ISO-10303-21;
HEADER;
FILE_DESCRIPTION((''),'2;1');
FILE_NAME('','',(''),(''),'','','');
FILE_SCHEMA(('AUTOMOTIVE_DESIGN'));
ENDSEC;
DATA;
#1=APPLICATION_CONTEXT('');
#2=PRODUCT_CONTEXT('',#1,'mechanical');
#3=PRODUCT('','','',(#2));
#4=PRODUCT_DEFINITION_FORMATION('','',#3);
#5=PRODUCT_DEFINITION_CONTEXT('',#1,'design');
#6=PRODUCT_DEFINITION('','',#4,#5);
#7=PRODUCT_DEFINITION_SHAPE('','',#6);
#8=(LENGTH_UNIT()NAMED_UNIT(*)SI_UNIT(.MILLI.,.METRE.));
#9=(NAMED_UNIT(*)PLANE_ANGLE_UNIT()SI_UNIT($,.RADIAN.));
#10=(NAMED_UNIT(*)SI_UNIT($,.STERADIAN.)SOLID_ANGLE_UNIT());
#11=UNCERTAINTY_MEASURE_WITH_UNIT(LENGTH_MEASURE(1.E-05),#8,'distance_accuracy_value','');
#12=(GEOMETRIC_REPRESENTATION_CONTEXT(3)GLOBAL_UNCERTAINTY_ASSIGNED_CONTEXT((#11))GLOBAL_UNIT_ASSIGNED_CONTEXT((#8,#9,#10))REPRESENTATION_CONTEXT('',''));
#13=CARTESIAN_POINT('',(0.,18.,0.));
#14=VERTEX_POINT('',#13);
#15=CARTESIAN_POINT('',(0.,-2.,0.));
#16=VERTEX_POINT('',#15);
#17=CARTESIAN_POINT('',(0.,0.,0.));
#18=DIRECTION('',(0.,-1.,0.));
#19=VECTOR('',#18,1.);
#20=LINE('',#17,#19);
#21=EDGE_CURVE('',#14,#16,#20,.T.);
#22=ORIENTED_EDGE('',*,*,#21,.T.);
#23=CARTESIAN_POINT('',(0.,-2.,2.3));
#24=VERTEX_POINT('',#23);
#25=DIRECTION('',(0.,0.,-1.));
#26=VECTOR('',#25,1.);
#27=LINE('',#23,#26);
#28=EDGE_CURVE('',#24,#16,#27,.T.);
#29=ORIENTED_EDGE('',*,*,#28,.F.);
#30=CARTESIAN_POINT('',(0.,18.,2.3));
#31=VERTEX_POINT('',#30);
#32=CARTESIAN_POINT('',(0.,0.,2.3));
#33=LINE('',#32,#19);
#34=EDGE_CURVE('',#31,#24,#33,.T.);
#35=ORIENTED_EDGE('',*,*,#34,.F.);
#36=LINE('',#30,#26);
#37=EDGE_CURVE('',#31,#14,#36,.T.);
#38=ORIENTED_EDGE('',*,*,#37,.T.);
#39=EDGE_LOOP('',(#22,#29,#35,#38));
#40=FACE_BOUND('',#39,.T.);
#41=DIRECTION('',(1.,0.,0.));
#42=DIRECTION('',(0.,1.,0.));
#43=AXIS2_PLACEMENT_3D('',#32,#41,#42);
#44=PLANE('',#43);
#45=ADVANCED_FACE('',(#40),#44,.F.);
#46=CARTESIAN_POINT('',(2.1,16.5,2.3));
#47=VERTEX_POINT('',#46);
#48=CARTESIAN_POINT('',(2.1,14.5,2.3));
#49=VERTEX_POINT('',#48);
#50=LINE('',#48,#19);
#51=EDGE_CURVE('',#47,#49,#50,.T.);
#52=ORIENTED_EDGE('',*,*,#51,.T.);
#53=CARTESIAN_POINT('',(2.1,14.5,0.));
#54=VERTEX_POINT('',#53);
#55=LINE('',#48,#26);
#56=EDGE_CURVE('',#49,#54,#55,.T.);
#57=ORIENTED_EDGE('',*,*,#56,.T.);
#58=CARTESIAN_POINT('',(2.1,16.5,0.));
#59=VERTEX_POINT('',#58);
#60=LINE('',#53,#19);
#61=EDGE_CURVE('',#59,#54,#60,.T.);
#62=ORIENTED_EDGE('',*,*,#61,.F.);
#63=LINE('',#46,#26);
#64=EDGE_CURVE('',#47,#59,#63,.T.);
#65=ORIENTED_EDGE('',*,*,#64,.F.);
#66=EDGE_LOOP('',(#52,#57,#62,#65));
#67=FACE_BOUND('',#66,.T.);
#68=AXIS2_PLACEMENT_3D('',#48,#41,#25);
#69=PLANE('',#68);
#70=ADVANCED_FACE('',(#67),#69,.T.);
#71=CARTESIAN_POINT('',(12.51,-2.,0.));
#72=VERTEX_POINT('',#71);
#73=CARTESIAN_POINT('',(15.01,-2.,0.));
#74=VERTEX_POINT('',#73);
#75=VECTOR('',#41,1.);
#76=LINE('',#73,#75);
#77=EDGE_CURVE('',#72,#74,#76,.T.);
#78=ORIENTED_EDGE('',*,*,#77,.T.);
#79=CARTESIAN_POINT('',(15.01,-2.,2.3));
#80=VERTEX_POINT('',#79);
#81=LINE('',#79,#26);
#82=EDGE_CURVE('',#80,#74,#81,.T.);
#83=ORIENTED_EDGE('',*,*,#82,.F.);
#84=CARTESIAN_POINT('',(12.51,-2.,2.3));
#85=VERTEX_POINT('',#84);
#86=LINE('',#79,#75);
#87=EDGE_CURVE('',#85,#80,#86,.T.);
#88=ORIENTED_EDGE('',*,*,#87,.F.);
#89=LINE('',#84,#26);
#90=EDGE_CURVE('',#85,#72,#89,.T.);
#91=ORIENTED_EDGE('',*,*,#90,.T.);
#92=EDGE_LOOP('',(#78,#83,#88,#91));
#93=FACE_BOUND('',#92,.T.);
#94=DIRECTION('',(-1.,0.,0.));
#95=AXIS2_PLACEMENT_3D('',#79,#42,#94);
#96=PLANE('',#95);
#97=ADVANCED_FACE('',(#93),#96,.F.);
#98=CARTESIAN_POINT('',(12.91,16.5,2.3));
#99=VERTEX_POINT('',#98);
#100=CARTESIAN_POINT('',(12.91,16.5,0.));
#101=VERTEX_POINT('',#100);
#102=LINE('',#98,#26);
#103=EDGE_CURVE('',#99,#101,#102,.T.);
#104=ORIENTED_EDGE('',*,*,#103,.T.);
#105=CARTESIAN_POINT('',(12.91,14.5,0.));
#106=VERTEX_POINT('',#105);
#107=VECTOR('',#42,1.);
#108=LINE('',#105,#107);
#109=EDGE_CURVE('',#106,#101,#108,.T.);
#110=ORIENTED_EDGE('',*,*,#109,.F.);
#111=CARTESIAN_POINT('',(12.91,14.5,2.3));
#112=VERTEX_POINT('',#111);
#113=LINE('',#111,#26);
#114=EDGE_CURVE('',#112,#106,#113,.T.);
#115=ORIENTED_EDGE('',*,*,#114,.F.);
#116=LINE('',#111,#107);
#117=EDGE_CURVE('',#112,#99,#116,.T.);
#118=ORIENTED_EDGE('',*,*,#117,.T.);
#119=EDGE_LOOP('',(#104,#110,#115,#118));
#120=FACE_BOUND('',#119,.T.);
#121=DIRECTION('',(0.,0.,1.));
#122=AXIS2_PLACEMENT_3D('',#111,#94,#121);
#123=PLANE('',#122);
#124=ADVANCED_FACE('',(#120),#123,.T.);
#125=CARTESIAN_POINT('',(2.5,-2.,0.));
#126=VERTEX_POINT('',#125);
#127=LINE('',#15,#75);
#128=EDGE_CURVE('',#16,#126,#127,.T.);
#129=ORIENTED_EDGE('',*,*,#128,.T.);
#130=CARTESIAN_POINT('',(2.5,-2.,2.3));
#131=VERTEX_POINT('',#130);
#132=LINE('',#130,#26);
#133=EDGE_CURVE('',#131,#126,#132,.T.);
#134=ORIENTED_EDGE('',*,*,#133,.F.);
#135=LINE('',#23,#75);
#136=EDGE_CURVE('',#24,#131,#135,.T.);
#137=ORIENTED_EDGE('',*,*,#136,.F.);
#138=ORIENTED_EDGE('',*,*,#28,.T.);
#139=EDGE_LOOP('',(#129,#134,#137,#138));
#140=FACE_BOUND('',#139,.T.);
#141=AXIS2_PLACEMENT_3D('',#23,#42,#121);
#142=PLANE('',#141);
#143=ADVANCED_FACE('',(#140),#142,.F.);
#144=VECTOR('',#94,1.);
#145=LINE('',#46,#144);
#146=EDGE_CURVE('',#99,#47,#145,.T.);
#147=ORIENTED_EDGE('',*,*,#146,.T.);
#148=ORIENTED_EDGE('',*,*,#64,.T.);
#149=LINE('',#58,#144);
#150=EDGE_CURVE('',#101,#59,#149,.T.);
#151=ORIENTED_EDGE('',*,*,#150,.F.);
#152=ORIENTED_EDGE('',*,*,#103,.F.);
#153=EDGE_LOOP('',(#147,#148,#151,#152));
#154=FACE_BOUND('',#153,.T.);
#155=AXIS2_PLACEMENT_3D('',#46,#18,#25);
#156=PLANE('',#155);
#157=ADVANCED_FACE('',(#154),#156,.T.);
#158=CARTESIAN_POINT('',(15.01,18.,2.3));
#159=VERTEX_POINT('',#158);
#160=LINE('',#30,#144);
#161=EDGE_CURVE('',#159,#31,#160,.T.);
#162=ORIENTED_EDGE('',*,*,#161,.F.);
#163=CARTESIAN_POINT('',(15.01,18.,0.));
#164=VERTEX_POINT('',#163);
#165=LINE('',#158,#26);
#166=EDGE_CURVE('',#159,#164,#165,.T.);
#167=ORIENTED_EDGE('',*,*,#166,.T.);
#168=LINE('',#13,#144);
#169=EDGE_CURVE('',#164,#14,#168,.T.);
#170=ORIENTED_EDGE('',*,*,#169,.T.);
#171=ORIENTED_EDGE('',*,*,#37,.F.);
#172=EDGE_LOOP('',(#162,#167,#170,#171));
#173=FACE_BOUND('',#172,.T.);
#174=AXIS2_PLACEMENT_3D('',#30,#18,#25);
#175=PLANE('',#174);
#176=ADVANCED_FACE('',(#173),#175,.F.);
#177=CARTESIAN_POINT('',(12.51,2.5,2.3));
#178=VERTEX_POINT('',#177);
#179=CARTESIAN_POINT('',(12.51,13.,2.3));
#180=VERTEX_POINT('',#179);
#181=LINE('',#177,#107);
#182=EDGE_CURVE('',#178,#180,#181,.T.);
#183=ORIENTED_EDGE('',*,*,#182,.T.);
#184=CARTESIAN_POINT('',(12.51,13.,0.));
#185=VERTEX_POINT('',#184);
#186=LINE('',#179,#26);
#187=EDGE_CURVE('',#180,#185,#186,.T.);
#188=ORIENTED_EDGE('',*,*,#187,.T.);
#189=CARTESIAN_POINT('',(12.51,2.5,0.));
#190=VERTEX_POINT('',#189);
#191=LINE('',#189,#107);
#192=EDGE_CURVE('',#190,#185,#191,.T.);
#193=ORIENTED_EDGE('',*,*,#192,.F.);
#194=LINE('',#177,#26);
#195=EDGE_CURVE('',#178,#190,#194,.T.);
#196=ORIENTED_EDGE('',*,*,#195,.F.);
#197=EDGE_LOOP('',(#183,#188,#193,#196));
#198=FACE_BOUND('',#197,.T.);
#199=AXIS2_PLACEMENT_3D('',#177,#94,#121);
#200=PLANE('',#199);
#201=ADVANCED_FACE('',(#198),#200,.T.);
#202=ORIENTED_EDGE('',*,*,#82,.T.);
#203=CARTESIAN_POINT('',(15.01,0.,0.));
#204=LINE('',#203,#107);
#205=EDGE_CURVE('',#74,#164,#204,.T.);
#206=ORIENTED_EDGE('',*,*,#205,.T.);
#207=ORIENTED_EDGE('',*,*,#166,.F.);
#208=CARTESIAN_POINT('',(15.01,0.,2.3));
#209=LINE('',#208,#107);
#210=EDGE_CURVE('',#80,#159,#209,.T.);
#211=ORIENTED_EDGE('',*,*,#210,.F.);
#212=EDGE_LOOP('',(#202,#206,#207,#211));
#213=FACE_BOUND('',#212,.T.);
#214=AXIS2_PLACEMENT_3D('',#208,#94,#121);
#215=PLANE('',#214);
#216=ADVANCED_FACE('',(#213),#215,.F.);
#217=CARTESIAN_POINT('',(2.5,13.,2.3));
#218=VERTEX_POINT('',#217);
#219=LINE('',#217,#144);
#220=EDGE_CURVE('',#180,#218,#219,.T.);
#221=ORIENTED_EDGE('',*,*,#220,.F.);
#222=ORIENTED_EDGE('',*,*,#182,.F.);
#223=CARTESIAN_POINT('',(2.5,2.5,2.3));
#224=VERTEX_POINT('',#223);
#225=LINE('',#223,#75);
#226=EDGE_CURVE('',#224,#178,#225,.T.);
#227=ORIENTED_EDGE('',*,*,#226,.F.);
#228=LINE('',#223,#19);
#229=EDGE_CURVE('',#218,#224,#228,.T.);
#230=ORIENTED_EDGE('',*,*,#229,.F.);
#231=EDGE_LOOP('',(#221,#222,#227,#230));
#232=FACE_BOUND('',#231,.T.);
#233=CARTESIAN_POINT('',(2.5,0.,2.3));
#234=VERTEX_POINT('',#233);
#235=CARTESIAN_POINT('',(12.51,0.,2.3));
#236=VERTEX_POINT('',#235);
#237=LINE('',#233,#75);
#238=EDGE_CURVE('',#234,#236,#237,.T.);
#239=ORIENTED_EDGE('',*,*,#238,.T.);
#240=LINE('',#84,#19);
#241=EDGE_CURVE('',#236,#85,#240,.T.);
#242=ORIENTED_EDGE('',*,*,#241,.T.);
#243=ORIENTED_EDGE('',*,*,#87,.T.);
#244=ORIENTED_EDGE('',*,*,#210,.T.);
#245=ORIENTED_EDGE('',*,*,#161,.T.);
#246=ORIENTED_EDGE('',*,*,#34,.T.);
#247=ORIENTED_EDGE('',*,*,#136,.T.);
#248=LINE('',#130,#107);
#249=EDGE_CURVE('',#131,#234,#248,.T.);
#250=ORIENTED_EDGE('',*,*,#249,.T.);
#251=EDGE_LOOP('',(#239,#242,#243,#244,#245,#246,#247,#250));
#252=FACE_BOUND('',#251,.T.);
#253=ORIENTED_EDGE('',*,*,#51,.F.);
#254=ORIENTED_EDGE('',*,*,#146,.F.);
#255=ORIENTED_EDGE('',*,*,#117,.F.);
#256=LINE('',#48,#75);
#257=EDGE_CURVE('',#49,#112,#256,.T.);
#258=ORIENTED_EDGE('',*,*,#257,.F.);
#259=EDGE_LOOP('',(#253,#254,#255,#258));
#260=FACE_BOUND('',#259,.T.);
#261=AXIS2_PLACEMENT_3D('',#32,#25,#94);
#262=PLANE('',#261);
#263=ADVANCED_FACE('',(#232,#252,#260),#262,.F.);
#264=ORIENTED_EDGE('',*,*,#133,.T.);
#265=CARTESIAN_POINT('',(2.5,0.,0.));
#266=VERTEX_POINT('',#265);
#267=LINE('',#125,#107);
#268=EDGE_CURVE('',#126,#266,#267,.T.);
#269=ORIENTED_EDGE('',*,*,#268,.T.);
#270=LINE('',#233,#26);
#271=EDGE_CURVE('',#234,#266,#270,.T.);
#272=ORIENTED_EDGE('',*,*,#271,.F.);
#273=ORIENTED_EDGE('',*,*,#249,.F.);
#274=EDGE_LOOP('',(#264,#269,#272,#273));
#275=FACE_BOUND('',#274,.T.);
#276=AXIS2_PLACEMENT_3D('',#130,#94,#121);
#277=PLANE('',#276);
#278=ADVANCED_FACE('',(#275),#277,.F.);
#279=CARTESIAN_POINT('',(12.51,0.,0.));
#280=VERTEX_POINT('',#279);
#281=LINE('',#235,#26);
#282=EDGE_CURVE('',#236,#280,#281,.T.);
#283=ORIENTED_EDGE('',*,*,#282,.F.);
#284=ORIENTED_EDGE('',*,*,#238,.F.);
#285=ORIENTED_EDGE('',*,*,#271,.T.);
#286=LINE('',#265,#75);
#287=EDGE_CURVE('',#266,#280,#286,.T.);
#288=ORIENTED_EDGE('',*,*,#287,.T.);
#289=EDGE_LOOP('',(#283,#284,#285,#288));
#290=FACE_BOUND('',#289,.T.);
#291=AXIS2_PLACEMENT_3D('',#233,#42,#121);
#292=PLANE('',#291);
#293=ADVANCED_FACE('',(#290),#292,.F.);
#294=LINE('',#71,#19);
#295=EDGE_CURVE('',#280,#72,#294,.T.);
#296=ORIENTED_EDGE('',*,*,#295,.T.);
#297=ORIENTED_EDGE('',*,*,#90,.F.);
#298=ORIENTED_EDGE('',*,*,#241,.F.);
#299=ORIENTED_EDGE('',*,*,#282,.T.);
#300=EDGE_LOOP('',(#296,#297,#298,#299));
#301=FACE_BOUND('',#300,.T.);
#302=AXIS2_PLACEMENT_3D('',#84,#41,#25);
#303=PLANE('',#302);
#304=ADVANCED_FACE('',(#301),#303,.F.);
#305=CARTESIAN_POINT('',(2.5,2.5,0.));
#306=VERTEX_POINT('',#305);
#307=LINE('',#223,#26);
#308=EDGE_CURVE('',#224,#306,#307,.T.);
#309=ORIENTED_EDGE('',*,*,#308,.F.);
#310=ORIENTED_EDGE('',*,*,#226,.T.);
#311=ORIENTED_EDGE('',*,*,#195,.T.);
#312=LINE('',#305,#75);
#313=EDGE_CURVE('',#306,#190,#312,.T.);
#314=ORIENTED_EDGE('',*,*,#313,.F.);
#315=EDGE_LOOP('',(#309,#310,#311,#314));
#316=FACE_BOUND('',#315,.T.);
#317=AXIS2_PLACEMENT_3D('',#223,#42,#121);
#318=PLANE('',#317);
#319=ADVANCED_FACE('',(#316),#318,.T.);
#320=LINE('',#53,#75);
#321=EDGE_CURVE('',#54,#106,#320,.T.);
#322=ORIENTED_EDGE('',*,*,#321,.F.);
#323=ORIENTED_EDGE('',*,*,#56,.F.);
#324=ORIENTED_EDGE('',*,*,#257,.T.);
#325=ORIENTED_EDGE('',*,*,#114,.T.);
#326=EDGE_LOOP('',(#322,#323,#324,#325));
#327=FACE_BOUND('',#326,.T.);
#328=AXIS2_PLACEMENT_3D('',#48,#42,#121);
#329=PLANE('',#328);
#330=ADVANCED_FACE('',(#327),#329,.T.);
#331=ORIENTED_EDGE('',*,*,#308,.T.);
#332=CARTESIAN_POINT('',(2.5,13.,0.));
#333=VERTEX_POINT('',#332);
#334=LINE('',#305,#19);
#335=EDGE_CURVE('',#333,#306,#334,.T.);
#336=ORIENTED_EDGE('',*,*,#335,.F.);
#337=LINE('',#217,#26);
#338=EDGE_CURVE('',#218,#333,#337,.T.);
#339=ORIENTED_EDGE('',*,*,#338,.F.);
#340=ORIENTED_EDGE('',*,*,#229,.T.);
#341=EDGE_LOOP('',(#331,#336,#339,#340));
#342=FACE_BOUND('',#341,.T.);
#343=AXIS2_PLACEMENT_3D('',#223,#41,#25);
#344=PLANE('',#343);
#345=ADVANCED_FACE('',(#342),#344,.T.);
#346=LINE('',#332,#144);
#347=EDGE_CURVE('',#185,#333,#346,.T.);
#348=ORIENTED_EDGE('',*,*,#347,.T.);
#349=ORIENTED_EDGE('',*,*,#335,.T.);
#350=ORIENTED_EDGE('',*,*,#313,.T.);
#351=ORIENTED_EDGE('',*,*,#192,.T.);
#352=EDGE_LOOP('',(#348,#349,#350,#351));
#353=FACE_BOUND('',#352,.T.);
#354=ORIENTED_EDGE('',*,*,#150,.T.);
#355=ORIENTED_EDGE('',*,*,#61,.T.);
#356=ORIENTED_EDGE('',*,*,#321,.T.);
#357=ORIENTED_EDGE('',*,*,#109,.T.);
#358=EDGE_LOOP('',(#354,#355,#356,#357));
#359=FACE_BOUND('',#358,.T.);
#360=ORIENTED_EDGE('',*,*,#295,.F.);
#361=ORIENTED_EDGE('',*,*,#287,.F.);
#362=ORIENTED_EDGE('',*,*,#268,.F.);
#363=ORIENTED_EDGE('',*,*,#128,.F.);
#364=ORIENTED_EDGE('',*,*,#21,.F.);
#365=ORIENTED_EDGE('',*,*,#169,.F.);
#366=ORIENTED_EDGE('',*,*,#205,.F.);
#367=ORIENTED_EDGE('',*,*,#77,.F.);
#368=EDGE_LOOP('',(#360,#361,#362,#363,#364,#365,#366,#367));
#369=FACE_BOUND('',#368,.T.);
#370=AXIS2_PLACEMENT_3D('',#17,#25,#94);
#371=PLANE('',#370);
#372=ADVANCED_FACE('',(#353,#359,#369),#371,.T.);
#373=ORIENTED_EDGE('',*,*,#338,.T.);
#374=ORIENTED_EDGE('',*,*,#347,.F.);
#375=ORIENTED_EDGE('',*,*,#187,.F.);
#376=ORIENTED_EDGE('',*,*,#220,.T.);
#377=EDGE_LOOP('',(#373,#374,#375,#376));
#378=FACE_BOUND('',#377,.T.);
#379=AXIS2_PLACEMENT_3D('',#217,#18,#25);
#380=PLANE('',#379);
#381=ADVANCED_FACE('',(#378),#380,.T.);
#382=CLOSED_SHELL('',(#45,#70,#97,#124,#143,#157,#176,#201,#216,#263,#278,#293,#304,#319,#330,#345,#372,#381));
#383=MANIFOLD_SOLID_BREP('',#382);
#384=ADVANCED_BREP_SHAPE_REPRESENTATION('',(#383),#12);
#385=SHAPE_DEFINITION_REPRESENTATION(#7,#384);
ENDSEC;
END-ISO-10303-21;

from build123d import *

# Parameters (mm, degrees)
SKETCH1_W           = 10.01
SKETCH1_H           = 10.5
SKETCH1_W_2         = 10.81
SKETCH1_H_2         = 2
BOSS_EXTRUDE1_DEPTH = 2.3


with BuildPart() as part:
    # Sketch1 → Boss-Extrude1 (new body)
    with BuildSketch(Plane.XY):
        Polygon((0, 0), (0, -2), (2.5, -2), (2.5, 0), (12.51, 0), (12.51, -2), (15.01, -2), (15.01, 0), (15.01, 18), (0, 18), align=None)
        with Locations((7.505, 7.75)):
            Rectangle(SKETCH1_W, SKETCH1_H, mode=Mode.SUBTRACT)
        with Locations((7.505, 15.5)):
            Rectangle(SKETCH1_W_2, SKETCH1_H_2, mode=Mode.SUBTRACT)
    extrude(amount=BOSS_EXTRUDE1_DEPTH)


solid = part.part
